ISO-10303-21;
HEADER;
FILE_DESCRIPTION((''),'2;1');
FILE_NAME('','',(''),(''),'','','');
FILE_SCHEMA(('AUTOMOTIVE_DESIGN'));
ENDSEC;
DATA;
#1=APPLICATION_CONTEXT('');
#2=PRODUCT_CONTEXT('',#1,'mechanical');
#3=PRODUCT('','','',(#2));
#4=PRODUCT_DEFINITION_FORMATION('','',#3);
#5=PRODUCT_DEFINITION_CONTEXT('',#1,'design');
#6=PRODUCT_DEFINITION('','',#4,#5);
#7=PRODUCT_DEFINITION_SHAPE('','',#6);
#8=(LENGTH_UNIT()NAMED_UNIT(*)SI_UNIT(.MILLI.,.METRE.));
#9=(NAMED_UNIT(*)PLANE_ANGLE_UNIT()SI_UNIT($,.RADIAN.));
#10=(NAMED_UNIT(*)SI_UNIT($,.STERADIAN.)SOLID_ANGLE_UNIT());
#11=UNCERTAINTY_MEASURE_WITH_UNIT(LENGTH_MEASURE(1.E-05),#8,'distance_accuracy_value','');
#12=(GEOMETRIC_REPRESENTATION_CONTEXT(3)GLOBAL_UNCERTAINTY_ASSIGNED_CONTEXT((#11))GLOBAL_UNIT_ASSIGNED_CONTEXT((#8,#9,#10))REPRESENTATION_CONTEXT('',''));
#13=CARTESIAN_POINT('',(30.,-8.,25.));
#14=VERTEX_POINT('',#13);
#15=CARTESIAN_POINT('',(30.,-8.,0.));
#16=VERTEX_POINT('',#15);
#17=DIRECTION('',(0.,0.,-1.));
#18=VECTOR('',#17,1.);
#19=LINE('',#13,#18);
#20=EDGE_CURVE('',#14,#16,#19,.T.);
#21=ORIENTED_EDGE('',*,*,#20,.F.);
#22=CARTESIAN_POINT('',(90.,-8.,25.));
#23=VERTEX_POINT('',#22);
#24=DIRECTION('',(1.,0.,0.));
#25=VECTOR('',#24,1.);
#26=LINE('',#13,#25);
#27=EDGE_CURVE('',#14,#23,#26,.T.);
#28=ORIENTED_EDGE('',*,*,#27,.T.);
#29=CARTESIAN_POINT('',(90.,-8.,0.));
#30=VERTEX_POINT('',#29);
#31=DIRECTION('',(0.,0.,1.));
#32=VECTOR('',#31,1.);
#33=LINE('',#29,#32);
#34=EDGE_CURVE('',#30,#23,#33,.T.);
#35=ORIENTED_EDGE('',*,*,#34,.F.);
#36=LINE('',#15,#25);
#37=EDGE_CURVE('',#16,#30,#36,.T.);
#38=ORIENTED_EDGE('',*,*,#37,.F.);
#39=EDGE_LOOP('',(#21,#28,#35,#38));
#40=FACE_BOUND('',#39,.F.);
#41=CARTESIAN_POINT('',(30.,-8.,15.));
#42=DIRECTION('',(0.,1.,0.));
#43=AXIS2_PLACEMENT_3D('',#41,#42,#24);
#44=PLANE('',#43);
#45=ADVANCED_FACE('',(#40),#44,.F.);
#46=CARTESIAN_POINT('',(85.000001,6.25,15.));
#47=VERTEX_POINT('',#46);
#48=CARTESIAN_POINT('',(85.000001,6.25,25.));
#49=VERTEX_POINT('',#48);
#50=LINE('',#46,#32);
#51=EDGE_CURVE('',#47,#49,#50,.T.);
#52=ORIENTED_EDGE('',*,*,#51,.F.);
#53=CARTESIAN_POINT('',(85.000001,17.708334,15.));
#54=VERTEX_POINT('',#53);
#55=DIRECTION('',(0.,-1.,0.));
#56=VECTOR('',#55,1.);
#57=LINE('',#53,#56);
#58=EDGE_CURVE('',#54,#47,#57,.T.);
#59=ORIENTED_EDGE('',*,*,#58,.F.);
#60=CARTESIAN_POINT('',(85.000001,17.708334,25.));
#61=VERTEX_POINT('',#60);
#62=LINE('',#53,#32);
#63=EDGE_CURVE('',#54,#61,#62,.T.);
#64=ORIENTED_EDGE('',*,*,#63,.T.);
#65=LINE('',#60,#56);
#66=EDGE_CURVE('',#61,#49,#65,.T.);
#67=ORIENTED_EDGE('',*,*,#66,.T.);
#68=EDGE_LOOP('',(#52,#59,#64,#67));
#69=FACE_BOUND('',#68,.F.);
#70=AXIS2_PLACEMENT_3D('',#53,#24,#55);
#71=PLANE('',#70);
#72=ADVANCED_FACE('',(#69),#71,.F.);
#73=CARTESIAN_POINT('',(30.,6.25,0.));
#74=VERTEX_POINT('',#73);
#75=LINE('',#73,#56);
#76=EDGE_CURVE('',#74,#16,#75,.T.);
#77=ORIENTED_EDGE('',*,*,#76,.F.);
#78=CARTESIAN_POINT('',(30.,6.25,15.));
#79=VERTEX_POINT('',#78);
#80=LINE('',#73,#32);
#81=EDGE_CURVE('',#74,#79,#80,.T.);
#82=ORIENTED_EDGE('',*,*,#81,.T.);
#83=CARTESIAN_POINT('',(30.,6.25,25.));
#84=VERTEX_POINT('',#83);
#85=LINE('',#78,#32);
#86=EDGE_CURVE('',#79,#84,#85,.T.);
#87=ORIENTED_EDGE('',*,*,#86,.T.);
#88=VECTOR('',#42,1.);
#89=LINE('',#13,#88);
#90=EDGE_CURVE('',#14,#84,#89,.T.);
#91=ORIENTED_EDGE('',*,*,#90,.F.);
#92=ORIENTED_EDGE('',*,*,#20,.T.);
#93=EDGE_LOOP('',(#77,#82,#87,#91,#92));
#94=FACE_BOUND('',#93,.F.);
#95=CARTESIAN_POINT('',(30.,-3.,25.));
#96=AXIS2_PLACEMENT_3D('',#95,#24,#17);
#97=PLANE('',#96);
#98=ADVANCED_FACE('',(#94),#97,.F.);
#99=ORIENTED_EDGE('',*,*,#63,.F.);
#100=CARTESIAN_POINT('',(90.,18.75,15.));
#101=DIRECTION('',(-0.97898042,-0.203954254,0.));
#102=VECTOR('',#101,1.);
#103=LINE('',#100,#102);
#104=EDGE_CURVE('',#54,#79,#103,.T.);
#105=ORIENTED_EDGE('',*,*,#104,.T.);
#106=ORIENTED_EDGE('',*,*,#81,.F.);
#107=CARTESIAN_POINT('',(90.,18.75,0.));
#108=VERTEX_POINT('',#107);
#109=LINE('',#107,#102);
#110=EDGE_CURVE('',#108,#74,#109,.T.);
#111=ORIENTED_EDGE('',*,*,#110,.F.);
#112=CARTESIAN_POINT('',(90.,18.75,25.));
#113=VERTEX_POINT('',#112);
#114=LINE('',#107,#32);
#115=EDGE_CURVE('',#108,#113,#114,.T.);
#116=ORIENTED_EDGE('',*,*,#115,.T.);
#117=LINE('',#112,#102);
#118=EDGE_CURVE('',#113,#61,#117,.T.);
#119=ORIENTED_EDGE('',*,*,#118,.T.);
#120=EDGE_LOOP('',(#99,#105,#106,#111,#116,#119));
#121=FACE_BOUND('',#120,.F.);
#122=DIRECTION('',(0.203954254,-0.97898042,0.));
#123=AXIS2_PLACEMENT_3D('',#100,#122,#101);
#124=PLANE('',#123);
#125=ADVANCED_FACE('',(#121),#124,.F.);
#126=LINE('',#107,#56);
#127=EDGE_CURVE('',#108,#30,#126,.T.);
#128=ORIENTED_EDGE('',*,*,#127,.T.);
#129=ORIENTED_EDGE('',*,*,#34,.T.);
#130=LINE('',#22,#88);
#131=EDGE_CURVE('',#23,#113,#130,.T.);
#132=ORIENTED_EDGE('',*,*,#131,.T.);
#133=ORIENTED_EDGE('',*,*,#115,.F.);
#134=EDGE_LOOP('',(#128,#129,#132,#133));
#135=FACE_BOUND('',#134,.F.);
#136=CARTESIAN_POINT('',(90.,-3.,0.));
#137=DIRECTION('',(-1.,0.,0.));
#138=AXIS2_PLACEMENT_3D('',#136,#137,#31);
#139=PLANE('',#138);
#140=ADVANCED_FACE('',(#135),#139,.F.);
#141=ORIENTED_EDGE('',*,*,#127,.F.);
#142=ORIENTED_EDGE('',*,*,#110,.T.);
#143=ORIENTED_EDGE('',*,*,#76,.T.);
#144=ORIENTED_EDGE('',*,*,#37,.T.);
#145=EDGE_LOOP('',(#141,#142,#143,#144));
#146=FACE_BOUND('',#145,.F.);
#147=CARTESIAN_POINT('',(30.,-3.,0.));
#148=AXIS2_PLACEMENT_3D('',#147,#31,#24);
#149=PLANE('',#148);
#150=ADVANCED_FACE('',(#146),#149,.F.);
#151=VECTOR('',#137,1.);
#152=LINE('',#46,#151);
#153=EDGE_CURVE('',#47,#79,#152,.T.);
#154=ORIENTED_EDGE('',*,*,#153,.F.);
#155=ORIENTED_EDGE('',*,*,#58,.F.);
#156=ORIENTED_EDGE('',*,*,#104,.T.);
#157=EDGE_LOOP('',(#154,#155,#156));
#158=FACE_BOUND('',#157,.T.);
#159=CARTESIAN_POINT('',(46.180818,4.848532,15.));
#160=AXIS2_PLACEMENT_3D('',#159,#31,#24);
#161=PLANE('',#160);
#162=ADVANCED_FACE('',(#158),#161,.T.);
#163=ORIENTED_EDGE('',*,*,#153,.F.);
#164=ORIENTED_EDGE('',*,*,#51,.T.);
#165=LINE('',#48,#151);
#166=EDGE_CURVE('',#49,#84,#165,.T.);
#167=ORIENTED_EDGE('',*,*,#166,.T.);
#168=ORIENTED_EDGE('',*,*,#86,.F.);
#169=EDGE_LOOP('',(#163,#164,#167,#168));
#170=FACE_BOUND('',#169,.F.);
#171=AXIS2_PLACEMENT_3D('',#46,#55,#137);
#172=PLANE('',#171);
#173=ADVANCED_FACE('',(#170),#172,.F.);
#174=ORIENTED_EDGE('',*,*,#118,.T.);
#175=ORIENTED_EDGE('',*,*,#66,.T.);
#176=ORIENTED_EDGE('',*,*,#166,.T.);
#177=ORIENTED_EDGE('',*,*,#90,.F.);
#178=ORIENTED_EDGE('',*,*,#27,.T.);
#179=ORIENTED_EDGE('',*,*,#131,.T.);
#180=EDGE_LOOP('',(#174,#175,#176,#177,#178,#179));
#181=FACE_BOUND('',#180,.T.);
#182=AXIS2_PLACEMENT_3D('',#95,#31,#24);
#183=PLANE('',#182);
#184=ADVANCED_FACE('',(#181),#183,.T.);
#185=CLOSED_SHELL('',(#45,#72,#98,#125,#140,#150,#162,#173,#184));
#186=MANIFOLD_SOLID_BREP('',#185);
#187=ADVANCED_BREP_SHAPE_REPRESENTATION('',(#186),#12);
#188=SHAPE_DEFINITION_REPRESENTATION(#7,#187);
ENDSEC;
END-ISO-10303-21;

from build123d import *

# Parameters (mm, degrees)
F1_DEPTH = 15
F3_DEPTH = 10
F4_DEPTH = 3
F5_DEPTH = 5


with BuildPart() as f1:
    # F0 (on Top) → F1 (new body)
    with BuildSketch(Plane.XY):
        Polygon((30, 6.25), (30, 0), (60, 0), (60, 12.5), align=None)
        Polygon((60, 12.5), (60, 0), (90, 0), (90, 18.75), align=None)
    extrude(amount=F1_DEPTH)

    # F2 (on face) → F3 (join)
    with BuildSketch(Plane.XY.offset(15)):
        Polygon((30, 0), (90, 0), (90, 18.75), (85.0000008941, 17.7083335196), (85.0000008941, 6.25), (30, 6.25), align=None)
    extrude(amount=F3_DEPTH)

    # F4 (add): a face of the model
    f4_faces = [f1.faces().sort_by_distance(p)[0] for p in [
        (60, 0, 12.5),
    ]]
    extrude(f4_faces, amount=F4_DEPTH)

    # F5 (add): a face of the model
    f5_faces = [f1.faces().sort_by_distance(p)[0] for p in [
        (60, -3, 12.5),
    ]]
    extrude(f5_faces, amount=F5_DEPTH)


solid = f1.part
